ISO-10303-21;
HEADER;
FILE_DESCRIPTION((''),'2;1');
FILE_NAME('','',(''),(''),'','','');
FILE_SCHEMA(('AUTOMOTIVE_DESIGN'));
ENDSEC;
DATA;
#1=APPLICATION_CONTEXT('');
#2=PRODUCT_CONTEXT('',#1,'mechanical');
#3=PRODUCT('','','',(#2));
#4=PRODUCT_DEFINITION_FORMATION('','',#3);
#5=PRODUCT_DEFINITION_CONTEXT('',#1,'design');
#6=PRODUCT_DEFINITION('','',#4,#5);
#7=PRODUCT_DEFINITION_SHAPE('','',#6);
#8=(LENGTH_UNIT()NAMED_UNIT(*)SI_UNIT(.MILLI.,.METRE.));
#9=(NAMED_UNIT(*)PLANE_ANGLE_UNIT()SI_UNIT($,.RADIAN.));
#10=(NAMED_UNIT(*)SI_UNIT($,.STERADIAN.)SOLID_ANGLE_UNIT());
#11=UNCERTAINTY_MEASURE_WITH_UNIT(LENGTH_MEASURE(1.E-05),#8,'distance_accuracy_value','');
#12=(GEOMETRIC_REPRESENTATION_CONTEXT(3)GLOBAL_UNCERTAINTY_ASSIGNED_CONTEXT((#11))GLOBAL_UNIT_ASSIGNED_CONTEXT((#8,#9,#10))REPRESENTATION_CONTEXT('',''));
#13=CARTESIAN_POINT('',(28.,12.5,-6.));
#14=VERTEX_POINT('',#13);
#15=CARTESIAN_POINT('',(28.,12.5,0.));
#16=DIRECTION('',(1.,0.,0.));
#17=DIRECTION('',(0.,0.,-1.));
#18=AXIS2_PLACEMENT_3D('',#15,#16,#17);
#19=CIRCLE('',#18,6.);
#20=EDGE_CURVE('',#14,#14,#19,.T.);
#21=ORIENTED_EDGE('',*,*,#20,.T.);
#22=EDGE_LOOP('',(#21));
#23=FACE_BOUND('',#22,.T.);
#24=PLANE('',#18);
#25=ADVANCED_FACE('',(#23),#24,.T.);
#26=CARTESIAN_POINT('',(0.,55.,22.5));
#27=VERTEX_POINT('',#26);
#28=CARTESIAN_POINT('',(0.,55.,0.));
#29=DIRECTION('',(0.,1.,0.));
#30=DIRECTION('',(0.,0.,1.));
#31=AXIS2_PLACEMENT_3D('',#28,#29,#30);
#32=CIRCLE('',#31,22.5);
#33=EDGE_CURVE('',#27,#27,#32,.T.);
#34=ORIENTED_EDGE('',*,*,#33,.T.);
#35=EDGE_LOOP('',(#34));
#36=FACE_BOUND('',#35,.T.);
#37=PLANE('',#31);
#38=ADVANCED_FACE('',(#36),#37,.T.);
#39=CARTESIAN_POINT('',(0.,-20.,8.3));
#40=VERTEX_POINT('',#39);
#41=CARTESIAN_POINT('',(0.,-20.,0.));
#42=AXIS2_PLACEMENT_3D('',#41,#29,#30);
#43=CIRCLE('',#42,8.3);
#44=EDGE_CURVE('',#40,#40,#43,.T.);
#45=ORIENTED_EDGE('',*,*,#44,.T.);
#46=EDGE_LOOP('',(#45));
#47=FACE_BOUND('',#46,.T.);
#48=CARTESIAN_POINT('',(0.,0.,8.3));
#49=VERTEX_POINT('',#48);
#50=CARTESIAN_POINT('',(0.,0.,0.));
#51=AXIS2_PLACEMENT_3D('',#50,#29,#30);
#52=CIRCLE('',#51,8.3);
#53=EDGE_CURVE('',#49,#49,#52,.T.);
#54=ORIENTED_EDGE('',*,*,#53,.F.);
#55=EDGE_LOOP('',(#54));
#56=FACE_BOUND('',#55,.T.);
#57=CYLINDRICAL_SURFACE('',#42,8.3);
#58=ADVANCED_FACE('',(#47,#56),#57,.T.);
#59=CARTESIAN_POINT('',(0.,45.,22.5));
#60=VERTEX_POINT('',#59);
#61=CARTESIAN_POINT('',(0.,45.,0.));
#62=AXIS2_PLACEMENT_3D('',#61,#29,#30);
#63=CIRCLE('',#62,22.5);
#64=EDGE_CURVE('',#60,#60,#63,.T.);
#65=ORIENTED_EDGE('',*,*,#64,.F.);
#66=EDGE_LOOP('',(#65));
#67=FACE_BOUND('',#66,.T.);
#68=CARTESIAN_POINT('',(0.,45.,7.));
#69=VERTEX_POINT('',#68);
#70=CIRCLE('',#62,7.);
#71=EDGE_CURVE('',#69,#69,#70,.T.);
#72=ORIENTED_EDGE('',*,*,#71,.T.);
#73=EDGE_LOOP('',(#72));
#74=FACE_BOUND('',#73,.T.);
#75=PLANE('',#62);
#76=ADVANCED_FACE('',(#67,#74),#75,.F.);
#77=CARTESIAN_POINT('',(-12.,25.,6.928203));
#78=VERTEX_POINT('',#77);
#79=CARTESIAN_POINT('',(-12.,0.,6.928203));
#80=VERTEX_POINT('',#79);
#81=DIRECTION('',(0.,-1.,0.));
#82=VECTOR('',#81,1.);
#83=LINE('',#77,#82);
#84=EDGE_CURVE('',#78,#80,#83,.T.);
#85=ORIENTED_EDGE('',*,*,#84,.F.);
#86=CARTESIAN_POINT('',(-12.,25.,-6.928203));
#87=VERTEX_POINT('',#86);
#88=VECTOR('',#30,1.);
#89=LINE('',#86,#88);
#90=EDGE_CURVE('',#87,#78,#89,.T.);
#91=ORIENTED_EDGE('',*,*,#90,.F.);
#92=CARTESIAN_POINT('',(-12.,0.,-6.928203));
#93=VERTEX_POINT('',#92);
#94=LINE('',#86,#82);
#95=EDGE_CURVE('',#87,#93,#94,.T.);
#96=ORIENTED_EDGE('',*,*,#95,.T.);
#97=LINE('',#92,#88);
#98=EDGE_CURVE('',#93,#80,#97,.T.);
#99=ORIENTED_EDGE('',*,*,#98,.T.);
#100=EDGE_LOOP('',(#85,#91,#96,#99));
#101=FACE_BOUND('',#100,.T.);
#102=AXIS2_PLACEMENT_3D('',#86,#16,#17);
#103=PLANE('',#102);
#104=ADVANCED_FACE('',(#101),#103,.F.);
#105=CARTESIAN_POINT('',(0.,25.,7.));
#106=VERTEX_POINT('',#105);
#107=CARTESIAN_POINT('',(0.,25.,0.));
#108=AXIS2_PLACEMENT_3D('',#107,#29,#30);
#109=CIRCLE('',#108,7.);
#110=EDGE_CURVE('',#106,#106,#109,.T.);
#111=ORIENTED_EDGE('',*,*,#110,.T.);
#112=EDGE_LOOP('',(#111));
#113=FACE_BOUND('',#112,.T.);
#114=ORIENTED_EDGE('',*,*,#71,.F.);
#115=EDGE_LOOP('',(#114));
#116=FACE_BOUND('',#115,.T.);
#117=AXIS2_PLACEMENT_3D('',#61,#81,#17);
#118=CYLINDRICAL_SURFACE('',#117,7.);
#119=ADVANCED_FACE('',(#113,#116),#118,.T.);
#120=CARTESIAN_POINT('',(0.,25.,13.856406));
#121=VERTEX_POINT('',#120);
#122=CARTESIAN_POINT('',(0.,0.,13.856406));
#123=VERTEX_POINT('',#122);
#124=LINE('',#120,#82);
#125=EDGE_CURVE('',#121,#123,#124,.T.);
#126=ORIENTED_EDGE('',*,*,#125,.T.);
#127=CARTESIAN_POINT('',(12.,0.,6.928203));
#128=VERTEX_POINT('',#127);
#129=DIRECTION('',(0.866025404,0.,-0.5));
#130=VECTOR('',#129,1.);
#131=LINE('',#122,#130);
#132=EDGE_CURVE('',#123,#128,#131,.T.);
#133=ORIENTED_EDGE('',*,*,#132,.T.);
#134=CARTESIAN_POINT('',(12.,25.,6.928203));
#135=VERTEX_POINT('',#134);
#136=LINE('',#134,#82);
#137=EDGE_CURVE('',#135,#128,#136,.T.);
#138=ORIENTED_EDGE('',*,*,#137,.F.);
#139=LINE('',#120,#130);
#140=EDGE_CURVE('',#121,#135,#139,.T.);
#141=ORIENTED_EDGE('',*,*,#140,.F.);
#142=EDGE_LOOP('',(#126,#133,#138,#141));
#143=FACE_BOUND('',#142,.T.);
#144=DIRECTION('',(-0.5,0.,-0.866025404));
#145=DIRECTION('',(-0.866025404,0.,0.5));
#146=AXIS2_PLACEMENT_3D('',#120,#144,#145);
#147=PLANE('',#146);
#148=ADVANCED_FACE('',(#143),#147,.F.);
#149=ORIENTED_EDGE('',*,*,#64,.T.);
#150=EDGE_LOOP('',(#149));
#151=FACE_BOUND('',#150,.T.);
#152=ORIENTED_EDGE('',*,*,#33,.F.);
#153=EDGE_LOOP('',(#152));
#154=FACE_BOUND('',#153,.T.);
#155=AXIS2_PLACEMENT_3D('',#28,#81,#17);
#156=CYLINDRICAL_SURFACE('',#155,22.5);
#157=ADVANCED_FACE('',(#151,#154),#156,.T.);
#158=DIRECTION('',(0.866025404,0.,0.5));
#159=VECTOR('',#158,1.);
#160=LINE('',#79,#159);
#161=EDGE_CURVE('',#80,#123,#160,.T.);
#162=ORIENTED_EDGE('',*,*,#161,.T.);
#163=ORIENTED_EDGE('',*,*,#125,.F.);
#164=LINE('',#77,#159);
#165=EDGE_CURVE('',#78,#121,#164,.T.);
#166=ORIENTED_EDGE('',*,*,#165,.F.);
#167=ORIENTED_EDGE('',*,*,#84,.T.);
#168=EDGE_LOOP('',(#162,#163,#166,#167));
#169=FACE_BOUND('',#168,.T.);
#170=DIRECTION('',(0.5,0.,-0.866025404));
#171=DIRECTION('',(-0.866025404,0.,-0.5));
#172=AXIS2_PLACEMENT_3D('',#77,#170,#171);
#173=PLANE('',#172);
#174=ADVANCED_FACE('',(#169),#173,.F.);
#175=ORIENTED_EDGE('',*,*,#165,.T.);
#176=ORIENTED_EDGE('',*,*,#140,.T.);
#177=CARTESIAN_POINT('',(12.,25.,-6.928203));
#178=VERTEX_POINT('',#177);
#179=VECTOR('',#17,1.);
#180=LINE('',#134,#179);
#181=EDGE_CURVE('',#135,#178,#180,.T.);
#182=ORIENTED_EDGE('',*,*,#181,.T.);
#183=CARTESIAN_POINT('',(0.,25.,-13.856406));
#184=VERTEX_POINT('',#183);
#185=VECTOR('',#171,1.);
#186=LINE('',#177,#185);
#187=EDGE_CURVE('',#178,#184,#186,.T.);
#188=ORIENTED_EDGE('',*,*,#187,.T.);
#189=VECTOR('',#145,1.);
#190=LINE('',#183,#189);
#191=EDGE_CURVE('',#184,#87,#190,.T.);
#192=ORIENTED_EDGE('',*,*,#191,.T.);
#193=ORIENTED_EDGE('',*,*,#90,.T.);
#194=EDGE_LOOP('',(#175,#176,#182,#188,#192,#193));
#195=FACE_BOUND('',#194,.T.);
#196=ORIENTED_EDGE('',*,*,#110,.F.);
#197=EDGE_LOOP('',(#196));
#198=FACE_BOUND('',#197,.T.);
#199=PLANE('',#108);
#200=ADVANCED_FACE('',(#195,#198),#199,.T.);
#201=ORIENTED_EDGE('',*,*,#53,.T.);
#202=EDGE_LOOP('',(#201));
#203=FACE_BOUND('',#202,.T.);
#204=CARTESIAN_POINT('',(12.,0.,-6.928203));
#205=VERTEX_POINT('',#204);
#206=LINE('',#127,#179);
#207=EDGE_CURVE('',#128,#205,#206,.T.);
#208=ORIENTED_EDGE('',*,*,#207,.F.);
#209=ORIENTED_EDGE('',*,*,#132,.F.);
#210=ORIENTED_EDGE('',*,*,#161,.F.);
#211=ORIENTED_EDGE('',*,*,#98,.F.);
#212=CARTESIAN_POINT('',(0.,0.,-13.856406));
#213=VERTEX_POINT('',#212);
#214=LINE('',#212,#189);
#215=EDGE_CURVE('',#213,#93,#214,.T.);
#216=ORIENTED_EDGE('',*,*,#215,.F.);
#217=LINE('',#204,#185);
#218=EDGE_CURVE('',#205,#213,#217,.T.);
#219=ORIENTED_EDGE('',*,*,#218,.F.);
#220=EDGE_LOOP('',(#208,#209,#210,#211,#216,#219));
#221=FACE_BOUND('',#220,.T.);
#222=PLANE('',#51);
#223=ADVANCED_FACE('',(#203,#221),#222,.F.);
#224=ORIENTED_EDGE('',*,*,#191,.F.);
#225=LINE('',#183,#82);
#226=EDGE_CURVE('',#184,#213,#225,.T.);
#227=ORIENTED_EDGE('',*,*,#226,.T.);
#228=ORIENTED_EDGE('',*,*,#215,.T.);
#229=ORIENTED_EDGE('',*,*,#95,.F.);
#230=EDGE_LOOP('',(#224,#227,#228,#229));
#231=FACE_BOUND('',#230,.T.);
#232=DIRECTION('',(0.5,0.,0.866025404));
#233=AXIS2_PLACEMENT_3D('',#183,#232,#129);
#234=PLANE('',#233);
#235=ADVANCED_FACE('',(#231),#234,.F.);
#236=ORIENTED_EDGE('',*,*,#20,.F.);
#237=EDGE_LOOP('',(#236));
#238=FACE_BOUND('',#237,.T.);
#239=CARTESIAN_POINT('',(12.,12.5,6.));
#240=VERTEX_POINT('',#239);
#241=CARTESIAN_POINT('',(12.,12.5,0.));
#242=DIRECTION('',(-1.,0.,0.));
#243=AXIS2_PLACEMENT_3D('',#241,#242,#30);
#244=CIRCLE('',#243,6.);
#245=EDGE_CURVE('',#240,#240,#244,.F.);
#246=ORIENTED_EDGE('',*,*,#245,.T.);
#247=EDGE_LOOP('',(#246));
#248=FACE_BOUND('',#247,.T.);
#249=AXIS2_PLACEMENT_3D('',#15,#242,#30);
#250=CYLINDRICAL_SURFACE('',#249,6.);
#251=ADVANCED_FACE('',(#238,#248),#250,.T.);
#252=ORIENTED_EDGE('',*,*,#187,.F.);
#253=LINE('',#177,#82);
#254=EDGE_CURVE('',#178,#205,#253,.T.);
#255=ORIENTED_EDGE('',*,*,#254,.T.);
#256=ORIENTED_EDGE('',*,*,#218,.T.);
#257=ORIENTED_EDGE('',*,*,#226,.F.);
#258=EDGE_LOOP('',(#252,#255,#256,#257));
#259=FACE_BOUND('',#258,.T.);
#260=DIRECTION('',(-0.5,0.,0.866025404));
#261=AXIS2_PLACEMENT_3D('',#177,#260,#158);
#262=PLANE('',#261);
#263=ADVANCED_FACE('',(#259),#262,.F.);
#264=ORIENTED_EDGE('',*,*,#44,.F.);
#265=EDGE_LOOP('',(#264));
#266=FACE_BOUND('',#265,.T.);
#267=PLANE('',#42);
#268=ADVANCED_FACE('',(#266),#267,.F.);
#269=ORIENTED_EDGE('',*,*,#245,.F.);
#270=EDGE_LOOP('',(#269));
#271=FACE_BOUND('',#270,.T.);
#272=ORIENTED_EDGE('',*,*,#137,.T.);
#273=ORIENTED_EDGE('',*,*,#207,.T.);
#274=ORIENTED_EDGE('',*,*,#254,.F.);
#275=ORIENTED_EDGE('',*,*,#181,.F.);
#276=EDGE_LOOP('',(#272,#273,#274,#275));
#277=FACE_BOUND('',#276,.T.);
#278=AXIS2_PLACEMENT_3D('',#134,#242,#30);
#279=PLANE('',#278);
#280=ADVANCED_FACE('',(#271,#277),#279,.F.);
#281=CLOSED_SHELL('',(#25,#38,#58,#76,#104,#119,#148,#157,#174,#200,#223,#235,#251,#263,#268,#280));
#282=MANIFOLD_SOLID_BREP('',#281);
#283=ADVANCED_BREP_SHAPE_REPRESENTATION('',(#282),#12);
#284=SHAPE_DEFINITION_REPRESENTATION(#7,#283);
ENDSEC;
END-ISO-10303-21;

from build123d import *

# Parameters (mm, degrees)
SKETCH1_R           = 8.3
BOSS_EXTRUDE1_DEPTH = 20
BOSS_EXTRUDE2_DEPTH = 25
SKETCH3_R           = 7
BOSS_EXTRUDE3_DEPTH = 20
SKETCH4_R           = 22.5
BOSS_EXTRUDE4_DEPTH = 10
SKETCH5_R           = 6
BOSS_EXTRUDE5_DEPTH = 28


with BuildPart() as part:
    # Sketch1 → Boss-Extrude1 (new body)
    with BuildSketch(Plane(origin=(0, 0, 0), x_dir=(1, 0, 0), z_dir=(0, 1, 0))):
        with Locations(Location((0, 0, 0), (0, 0, 270))):
            Circle(SKETCH1_R)
    extrude(amount=-BOSS_EXTRUDE1_DEPTH)

    # Sketch2 → Boss-Extrude2 (add)
    with BuildSketch(Plane(origin=(0, 0, 0), x_dir=(1, 0, 0), z_dir=(0, 1, 0))):
        Polygon((0, 13.856406461), (-12, 6.92820323), (-12, -6.92820323), (0, -13.856406461), (12, -6.92820323), (12, 6.92820323), align=None)
    extrude(amount=BOSS_EXTRUDE2_DEPTH)

    # Sketch3 → Boss-Extrude3 (add)
    with BuildSketch(Plane(origin=(0, 25, 0), x_dir=(1, 0, 0), z_dir=(0, 1, 0))):
        with Locations(Location((0, 0, 0), (0, 0, 270))):
            Circle(SKETCH3_R)
    extrude(amount=BOSS_EXTRUDE3_DEPTH)

    # Sketch4 → Boss-Extrude4 (add)
    with BuildSketch(Plane(origin=(0, 45, 0), x_dir=(1, 0, 0), z_dir=(0, 1, 0))):
        with Locations(Location((0, 0, 0), (0, 0, 270))):
            Circle(SKETCH4_R)
    extrude(amount=BOSS_EXTRUDE4_DEPTH)

    # Sketch5 → Boss-Extrude5 (add)
    with BuildSketch(Plane(origin=(0, 0, 0), x_dir=(0, 0, -1), z_dir=(1, 0, 0))):
        with Locations(Location((0, 12.5, 0), (0, 0, 180))):
            Circle(SKETCH5_R)
    extrude(amount=BOSS_EXTRUDE5_DEPTH)


solid = part.part
